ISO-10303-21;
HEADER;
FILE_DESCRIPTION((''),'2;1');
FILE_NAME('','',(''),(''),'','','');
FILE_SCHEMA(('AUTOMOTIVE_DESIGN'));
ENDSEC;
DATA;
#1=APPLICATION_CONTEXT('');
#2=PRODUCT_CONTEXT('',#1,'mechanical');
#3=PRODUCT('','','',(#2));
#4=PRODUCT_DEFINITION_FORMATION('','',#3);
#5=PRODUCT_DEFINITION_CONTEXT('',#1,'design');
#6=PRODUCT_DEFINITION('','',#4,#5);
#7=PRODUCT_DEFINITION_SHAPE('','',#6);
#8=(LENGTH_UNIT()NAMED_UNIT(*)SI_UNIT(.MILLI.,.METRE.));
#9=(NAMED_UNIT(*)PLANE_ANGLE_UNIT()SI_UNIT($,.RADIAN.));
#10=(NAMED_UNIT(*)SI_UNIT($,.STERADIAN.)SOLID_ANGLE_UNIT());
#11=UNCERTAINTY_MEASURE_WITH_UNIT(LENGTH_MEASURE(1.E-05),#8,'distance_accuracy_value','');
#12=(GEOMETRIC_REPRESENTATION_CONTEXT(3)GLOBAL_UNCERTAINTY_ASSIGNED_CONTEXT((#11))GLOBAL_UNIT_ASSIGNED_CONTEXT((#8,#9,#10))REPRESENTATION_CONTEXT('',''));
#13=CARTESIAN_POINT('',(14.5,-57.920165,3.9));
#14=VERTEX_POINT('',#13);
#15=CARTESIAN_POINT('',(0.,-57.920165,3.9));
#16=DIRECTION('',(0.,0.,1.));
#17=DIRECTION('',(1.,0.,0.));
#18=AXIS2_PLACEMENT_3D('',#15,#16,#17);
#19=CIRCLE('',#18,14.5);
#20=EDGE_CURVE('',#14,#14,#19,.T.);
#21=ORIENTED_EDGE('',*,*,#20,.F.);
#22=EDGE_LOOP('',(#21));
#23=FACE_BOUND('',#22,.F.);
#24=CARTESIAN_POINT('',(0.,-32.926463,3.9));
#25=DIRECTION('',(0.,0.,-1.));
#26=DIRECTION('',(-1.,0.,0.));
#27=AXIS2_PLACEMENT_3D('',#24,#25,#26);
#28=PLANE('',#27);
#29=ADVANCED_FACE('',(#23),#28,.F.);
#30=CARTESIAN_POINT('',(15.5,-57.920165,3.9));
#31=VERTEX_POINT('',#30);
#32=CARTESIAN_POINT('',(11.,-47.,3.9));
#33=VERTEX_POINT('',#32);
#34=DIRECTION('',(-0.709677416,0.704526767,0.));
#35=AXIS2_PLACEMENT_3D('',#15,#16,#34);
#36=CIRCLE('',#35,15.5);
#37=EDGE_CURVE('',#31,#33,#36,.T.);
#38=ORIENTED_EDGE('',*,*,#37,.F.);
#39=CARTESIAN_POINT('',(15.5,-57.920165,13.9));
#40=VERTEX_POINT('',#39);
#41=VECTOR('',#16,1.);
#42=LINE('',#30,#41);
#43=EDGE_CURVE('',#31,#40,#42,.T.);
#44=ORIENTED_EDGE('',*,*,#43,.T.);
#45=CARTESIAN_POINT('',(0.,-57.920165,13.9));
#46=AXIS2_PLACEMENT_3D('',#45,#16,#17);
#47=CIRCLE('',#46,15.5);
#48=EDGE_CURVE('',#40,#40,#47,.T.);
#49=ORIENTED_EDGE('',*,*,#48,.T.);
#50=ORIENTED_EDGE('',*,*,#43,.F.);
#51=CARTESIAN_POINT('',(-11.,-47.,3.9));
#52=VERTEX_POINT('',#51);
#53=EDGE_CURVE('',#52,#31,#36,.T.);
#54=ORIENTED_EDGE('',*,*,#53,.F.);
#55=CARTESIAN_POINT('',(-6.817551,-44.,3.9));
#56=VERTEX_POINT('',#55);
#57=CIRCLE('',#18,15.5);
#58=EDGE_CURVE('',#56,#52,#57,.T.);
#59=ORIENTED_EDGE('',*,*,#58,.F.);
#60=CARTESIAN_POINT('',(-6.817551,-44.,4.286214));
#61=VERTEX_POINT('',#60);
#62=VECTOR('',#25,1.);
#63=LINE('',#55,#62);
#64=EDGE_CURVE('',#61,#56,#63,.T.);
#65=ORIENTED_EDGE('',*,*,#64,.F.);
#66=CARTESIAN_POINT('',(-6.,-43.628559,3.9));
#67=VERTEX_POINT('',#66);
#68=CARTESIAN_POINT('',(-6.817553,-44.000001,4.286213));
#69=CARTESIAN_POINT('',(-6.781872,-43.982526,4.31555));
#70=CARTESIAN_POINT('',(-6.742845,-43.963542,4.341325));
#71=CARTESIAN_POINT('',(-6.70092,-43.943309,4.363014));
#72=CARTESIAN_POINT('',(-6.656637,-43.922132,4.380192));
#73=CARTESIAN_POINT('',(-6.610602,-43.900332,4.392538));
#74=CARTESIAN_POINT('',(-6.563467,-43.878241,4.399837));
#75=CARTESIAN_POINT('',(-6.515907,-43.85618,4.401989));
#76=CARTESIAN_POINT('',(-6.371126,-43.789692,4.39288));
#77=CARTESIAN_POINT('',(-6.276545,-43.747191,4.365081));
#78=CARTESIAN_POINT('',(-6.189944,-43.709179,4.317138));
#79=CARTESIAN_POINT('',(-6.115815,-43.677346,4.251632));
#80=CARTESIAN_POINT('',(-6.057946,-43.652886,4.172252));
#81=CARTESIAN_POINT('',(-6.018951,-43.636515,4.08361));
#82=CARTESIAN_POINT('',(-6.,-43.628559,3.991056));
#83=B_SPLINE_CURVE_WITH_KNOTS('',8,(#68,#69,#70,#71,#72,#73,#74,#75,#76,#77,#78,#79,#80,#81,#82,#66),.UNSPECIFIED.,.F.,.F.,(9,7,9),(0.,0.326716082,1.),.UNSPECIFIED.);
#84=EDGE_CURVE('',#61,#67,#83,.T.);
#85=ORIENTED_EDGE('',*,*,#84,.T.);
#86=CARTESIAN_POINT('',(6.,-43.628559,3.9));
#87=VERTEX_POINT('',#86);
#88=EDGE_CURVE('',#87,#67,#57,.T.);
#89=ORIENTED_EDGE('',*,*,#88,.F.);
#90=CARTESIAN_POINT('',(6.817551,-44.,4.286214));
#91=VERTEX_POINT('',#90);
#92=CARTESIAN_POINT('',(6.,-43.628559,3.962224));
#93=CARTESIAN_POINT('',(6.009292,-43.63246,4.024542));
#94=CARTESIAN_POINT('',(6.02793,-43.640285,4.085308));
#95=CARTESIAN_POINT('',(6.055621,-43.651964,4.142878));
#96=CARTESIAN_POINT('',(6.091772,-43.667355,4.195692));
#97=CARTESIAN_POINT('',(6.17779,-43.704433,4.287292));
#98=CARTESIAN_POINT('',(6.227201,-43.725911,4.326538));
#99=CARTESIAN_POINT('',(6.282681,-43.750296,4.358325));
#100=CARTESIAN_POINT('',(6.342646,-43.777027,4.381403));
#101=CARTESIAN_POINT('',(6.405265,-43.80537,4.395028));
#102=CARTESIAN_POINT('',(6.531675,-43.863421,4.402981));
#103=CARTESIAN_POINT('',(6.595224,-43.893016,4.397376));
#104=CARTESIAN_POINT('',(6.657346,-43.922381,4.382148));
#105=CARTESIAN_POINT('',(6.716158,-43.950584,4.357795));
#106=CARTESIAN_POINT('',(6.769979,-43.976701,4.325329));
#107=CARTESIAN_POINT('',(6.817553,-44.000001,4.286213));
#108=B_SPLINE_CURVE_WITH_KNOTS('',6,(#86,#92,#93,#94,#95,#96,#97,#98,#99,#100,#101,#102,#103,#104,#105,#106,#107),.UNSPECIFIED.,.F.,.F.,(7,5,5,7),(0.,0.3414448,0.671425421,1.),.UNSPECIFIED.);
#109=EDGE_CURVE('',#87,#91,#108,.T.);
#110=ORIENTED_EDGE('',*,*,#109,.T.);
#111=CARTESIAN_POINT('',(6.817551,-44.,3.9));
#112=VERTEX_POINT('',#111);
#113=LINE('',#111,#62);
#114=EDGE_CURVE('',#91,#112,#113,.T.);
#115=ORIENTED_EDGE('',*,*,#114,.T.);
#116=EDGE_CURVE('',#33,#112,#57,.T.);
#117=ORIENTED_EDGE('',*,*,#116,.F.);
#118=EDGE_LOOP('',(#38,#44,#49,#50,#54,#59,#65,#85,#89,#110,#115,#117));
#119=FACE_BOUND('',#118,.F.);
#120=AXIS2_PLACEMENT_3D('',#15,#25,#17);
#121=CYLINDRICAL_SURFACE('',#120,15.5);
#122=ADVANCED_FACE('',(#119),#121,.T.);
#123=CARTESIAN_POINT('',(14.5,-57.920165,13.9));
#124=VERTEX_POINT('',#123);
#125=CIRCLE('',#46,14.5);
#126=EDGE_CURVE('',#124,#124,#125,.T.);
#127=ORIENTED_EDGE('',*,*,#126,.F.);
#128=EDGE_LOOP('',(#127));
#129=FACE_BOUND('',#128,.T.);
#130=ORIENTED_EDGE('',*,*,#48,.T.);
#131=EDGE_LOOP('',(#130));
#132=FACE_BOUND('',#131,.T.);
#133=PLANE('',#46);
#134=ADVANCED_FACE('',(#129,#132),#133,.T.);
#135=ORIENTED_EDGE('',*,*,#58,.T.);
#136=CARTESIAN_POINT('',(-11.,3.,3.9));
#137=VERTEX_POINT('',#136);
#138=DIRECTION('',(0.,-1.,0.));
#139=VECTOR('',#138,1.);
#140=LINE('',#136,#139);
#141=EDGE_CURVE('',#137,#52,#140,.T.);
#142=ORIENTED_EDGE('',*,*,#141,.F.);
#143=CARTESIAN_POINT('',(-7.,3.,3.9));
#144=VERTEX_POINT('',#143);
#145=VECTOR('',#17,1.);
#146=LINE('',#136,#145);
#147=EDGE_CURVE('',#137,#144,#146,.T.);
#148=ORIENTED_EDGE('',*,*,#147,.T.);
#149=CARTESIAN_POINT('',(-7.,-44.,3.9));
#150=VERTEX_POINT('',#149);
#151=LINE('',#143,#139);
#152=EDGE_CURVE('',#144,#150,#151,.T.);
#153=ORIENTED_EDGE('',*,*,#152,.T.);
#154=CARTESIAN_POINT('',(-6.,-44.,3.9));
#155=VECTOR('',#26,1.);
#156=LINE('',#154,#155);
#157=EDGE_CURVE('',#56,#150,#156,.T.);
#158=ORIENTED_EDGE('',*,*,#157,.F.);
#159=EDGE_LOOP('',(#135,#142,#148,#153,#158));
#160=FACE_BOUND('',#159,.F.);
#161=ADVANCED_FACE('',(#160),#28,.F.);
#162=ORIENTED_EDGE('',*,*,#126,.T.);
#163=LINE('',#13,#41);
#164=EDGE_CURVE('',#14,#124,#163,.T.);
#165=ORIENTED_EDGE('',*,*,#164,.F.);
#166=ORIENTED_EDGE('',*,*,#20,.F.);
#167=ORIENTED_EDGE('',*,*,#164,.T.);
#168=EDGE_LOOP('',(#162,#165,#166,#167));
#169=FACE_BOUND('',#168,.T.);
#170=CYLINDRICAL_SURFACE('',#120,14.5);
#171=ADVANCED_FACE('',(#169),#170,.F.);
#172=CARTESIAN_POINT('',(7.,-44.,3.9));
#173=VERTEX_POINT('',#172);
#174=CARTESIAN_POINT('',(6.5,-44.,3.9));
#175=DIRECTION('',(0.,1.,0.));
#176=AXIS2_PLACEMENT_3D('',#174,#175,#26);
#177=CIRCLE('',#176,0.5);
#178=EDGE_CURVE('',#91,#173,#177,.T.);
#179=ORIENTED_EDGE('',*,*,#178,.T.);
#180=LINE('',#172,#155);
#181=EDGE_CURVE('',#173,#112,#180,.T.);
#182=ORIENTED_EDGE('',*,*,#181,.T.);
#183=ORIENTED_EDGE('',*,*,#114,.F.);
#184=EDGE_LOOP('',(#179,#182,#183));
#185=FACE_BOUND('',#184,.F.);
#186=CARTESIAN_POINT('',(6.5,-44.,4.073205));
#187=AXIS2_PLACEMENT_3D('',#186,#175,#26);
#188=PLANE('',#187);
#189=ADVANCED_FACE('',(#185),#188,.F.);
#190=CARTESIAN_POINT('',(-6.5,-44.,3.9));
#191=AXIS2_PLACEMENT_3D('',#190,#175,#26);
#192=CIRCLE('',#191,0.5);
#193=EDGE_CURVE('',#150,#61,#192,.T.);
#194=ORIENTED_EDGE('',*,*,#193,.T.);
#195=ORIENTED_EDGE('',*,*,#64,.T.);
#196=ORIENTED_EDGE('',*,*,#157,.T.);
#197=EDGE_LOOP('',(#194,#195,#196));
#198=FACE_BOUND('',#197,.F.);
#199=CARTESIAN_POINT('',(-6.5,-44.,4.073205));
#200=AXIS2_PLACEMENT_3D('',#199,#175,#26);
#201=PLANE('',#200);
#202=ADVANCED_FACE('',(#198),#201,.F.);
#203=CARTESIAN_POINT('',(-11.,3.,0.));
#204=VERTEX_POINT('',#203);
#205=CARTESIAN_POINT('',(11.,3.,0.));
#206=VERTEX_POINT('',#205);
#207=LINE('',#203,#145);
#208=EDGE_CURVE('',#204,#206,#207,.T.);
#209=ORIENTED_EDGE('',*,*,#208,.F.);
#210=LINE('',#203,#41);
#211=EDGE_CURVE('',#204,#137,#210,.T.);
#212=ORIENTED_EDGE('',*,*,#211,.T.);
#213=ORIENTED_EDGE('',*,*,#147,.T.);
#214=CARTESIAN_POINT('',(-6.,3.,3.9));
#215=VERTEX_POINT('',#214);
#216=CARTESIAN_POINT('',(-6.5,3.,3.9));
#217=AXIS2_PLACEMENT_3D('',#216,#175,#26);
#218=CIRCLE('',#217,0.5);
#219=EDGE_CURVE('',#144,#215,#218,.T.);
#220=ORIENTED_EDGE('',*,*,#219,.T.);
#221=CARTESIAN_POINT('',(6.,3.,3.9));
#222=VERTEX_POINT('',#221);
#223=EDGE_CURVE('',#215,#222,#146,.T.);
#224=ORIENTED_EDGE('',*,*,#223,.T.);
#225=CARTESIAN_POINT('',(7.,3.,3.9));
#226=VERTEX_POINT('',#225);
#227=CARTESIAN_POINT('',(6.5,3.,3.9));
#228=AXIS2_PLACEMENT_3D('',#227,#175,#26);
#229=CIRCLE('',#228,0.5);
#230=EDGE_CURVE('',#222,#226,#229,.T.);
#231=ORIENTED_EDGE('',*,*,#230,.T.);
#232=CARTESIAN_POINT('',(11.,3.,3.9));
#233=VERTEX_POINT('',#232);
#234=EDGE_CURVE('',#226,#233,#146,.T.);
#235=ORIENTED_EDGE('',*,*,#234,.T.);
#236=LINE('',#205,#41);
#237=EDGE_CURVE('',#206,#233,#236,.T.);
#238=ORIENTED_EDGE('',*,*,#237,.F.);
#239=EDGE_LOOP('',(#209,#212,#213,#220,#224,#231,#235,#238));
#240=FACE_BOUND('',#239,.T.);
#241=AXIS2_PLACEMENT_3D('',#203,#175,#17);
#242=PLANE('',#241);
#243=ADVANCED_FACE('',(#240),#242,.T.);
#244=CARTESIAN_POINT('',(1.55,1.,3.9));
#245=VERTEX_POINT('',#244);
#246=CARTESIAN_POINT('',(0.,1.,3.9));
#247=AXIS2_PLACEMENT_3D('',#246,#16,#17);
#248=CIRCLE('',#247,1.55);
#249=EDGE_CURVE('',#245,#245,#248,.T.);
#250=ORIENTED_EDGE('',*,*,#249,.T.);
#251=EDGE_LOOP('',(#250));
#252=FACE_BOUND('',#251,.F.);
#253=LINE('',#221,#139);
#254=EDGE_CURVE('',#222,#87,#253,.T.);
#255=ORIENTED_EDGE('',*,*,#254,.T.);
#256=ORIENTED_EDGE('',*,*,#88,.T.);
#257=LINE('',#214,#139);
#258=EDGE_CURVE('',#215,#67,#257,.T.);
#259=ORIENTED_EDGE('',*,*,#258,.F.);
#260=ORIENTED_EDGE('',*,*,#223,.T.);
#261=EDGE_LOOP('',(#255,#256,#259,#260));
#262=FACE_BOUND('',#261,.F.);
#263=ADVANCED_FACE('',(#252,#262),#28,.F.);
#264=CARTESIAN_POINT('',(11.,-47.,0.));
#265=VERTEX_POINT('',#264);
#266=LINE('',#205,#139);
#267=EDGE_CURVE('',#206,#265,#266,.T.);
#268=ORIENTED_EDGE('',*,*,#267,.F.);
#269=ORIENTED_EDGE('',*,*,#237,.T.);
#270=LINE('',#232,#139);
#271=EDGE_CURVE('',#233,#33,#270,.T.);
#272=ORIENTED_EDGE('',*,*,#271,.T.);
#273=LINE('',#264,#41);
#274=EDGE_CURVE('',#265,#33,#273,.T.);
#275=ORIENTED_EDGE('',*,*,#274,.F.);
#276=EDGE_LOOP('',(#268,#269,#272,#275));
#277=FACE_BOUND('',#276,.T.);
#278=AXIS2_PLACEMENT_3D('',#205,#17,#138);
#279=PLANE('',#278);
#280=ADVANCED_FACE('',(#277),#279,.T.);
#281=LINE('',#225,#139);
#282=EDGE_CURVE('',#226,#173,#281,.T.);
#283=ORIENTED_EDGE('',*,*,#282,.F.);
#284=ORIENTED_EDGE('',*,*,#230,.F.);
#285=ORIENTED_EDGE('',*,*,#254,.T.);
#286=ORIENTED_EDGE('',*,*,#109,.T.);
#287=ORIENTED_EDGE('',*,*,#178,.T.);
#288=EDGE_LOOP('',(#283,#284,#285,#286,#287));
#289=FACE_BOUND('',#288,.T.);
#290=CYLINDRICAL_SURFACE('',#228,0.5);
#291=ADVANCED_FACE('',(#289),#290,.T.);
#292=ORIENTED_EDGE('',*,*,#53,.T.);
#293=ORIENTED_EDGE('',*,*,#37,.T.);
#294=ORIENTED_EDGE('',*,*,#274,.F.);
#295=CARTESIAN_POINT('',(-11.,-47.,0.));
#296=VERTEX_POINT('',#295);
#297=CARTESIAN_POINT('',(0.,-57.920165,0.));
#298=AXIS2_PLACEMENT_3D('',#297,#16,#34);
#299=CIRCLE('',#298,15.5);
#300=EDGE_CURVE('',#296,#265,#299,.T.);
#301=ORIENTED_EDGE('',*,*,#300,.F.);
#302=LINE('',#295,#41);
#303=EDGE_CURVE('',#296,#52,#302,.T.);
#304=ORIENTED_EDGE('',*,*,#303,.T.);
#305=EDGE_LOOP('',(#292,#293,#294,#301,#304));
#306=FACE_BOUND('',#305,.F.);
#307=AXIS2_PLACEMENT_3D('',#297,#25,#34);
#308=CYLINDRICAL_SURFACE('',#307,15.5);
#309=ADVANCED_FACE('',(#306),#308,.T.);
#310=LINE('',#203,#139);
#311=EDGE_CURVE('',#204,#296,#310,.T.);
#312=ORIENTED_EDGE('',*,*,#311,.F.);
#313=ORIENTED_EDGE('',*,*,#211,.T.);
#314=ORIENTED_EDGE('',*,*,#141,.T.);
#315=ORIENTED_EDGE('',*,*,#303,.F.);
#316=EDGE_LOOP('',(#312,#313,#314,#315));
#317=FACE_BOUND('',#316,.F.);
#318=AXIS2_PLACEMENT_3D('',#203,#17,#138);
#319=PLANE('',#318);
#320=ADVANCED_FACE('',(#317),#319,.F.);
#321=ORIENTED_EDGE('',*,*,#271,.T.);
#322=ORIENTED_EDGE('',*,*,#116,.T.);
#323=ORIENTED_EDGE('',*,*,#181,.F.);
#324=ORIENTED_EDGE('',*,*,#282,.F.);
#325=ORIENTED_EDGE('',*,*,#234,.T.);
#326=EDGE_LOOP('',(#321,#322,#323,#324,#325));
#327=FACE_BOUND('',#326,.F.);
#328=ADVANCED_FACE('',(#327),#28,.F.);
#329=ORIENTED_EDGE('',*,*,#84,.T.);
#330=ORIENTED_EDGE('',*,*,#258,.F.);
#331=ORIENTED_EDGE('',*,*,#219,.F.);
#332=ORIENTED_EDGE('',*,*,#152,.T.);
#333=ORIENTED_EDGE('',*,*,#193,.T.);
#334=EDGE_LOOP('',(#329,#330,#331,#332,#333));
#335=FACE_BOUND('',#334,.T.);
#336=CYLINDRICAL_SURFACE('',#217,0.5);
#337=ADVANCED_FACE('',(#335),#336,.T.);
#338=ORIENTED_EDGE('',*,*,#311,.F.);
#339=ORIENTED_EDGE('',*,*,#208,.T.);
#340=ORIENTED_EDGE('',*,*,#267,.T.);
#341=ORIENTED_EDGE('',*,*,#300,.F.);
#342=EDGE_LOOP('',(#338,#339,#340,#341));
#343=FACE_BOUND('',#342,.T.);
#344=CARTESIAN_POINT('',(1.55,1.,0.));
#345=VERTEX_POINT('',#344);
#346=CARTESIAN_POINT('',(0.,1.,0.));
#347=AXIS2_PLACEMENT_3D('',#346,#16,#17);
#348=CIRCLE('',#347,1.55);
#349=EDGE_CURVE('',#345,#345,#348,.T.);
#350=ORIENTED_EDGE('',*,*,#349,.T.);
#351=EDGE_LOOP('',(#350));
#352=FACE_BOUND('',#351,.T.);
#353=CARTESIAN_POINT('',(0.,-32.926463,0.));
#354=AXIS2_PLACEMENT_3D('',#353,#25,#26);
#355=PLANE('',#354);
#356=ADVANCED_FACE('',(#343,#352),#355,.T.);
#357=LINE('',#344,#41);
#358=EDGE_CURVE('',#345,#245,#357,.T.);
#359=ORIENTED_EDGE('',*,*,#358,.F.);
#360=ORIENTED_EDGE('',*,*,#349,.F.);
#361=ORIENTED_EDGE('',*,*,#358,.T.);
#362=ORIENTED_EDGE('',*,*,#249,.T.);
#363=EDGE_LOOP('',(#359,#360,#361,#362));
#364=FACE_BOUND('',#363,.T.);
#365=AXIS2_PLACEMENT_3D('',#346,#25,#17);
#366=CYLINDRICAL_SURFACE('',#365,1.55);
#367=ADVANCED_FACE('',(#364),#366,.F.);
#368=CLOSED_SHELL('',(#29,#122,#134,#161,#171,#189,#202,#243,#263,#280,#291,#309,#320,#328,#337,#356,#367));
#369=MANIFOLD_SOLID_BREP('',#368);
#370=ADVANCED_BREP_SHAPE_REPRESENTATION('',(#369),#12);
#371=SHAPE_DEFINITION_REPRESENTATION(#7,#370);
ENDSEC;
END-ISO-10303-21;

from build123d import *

# Parameters (mm, degrees)
SKETCH_R      = 1.55
PAD_DEPTH     = 3.9
PAD002_DEPTH  = 47
SKETCH001_R   = 15.5
SKETCH001_R_2 = 14.5
PAD003_DEPTH  = 10


with BuildPart() as part:
    # Sketch → Pad (new body)
    with BuildSketch(Plane.XY):
        with BuildLine():
            Line((-11, 3), (11, 3))
            Line((11, 3), (11, -47))
            ThreePointArc((-11, -47), (0, -73.420165), (11, -47))
            Line((-11, 3), (-11, -47))
        make_face()
        with Locations((0, 1)):
            Circle(SKETCH_R, mode=Mode.SUBTRACT)
    extrude(amount=PAD_DEPTH)

    # Sketch003 (on Face1 of Pad) → Pad002 (join)
    with BuildSketch(Plane(origin=(0, 3, 0), x_dir=(-1, 0, 0), z_dir=(0, 1, 0))):
        with BuildLine():
            ThreePointArc((-6, 3.9), (-6.5, 4.4), (-7, 3.9))
            Line((-7, 3.9), (-6, 3.9))
        make_face()
        with BuildLine():
            ThreePointArc((7, 3.9), (6.5, 4.4), (6, 3.9))
            Line((6, 3.9), (7, 3.9))
        make_face()
    extrude(amount=-PAD002_DEPTH)

    # Sketch001 (on Face5 of Pad002) → Pad003 (join)
    with BuildSketch(Plane.XY.offset(3.9)):
        with Locations((0, -57.920165)):
            Circle(SKETCH001_R)
        with Locations((0, -57.920165)):
            Circle(SKETCH001_R_2, mode=Mode.SUBTRACT)
    extrude(amount=PAD003_DEPTH)


solid = part.part
